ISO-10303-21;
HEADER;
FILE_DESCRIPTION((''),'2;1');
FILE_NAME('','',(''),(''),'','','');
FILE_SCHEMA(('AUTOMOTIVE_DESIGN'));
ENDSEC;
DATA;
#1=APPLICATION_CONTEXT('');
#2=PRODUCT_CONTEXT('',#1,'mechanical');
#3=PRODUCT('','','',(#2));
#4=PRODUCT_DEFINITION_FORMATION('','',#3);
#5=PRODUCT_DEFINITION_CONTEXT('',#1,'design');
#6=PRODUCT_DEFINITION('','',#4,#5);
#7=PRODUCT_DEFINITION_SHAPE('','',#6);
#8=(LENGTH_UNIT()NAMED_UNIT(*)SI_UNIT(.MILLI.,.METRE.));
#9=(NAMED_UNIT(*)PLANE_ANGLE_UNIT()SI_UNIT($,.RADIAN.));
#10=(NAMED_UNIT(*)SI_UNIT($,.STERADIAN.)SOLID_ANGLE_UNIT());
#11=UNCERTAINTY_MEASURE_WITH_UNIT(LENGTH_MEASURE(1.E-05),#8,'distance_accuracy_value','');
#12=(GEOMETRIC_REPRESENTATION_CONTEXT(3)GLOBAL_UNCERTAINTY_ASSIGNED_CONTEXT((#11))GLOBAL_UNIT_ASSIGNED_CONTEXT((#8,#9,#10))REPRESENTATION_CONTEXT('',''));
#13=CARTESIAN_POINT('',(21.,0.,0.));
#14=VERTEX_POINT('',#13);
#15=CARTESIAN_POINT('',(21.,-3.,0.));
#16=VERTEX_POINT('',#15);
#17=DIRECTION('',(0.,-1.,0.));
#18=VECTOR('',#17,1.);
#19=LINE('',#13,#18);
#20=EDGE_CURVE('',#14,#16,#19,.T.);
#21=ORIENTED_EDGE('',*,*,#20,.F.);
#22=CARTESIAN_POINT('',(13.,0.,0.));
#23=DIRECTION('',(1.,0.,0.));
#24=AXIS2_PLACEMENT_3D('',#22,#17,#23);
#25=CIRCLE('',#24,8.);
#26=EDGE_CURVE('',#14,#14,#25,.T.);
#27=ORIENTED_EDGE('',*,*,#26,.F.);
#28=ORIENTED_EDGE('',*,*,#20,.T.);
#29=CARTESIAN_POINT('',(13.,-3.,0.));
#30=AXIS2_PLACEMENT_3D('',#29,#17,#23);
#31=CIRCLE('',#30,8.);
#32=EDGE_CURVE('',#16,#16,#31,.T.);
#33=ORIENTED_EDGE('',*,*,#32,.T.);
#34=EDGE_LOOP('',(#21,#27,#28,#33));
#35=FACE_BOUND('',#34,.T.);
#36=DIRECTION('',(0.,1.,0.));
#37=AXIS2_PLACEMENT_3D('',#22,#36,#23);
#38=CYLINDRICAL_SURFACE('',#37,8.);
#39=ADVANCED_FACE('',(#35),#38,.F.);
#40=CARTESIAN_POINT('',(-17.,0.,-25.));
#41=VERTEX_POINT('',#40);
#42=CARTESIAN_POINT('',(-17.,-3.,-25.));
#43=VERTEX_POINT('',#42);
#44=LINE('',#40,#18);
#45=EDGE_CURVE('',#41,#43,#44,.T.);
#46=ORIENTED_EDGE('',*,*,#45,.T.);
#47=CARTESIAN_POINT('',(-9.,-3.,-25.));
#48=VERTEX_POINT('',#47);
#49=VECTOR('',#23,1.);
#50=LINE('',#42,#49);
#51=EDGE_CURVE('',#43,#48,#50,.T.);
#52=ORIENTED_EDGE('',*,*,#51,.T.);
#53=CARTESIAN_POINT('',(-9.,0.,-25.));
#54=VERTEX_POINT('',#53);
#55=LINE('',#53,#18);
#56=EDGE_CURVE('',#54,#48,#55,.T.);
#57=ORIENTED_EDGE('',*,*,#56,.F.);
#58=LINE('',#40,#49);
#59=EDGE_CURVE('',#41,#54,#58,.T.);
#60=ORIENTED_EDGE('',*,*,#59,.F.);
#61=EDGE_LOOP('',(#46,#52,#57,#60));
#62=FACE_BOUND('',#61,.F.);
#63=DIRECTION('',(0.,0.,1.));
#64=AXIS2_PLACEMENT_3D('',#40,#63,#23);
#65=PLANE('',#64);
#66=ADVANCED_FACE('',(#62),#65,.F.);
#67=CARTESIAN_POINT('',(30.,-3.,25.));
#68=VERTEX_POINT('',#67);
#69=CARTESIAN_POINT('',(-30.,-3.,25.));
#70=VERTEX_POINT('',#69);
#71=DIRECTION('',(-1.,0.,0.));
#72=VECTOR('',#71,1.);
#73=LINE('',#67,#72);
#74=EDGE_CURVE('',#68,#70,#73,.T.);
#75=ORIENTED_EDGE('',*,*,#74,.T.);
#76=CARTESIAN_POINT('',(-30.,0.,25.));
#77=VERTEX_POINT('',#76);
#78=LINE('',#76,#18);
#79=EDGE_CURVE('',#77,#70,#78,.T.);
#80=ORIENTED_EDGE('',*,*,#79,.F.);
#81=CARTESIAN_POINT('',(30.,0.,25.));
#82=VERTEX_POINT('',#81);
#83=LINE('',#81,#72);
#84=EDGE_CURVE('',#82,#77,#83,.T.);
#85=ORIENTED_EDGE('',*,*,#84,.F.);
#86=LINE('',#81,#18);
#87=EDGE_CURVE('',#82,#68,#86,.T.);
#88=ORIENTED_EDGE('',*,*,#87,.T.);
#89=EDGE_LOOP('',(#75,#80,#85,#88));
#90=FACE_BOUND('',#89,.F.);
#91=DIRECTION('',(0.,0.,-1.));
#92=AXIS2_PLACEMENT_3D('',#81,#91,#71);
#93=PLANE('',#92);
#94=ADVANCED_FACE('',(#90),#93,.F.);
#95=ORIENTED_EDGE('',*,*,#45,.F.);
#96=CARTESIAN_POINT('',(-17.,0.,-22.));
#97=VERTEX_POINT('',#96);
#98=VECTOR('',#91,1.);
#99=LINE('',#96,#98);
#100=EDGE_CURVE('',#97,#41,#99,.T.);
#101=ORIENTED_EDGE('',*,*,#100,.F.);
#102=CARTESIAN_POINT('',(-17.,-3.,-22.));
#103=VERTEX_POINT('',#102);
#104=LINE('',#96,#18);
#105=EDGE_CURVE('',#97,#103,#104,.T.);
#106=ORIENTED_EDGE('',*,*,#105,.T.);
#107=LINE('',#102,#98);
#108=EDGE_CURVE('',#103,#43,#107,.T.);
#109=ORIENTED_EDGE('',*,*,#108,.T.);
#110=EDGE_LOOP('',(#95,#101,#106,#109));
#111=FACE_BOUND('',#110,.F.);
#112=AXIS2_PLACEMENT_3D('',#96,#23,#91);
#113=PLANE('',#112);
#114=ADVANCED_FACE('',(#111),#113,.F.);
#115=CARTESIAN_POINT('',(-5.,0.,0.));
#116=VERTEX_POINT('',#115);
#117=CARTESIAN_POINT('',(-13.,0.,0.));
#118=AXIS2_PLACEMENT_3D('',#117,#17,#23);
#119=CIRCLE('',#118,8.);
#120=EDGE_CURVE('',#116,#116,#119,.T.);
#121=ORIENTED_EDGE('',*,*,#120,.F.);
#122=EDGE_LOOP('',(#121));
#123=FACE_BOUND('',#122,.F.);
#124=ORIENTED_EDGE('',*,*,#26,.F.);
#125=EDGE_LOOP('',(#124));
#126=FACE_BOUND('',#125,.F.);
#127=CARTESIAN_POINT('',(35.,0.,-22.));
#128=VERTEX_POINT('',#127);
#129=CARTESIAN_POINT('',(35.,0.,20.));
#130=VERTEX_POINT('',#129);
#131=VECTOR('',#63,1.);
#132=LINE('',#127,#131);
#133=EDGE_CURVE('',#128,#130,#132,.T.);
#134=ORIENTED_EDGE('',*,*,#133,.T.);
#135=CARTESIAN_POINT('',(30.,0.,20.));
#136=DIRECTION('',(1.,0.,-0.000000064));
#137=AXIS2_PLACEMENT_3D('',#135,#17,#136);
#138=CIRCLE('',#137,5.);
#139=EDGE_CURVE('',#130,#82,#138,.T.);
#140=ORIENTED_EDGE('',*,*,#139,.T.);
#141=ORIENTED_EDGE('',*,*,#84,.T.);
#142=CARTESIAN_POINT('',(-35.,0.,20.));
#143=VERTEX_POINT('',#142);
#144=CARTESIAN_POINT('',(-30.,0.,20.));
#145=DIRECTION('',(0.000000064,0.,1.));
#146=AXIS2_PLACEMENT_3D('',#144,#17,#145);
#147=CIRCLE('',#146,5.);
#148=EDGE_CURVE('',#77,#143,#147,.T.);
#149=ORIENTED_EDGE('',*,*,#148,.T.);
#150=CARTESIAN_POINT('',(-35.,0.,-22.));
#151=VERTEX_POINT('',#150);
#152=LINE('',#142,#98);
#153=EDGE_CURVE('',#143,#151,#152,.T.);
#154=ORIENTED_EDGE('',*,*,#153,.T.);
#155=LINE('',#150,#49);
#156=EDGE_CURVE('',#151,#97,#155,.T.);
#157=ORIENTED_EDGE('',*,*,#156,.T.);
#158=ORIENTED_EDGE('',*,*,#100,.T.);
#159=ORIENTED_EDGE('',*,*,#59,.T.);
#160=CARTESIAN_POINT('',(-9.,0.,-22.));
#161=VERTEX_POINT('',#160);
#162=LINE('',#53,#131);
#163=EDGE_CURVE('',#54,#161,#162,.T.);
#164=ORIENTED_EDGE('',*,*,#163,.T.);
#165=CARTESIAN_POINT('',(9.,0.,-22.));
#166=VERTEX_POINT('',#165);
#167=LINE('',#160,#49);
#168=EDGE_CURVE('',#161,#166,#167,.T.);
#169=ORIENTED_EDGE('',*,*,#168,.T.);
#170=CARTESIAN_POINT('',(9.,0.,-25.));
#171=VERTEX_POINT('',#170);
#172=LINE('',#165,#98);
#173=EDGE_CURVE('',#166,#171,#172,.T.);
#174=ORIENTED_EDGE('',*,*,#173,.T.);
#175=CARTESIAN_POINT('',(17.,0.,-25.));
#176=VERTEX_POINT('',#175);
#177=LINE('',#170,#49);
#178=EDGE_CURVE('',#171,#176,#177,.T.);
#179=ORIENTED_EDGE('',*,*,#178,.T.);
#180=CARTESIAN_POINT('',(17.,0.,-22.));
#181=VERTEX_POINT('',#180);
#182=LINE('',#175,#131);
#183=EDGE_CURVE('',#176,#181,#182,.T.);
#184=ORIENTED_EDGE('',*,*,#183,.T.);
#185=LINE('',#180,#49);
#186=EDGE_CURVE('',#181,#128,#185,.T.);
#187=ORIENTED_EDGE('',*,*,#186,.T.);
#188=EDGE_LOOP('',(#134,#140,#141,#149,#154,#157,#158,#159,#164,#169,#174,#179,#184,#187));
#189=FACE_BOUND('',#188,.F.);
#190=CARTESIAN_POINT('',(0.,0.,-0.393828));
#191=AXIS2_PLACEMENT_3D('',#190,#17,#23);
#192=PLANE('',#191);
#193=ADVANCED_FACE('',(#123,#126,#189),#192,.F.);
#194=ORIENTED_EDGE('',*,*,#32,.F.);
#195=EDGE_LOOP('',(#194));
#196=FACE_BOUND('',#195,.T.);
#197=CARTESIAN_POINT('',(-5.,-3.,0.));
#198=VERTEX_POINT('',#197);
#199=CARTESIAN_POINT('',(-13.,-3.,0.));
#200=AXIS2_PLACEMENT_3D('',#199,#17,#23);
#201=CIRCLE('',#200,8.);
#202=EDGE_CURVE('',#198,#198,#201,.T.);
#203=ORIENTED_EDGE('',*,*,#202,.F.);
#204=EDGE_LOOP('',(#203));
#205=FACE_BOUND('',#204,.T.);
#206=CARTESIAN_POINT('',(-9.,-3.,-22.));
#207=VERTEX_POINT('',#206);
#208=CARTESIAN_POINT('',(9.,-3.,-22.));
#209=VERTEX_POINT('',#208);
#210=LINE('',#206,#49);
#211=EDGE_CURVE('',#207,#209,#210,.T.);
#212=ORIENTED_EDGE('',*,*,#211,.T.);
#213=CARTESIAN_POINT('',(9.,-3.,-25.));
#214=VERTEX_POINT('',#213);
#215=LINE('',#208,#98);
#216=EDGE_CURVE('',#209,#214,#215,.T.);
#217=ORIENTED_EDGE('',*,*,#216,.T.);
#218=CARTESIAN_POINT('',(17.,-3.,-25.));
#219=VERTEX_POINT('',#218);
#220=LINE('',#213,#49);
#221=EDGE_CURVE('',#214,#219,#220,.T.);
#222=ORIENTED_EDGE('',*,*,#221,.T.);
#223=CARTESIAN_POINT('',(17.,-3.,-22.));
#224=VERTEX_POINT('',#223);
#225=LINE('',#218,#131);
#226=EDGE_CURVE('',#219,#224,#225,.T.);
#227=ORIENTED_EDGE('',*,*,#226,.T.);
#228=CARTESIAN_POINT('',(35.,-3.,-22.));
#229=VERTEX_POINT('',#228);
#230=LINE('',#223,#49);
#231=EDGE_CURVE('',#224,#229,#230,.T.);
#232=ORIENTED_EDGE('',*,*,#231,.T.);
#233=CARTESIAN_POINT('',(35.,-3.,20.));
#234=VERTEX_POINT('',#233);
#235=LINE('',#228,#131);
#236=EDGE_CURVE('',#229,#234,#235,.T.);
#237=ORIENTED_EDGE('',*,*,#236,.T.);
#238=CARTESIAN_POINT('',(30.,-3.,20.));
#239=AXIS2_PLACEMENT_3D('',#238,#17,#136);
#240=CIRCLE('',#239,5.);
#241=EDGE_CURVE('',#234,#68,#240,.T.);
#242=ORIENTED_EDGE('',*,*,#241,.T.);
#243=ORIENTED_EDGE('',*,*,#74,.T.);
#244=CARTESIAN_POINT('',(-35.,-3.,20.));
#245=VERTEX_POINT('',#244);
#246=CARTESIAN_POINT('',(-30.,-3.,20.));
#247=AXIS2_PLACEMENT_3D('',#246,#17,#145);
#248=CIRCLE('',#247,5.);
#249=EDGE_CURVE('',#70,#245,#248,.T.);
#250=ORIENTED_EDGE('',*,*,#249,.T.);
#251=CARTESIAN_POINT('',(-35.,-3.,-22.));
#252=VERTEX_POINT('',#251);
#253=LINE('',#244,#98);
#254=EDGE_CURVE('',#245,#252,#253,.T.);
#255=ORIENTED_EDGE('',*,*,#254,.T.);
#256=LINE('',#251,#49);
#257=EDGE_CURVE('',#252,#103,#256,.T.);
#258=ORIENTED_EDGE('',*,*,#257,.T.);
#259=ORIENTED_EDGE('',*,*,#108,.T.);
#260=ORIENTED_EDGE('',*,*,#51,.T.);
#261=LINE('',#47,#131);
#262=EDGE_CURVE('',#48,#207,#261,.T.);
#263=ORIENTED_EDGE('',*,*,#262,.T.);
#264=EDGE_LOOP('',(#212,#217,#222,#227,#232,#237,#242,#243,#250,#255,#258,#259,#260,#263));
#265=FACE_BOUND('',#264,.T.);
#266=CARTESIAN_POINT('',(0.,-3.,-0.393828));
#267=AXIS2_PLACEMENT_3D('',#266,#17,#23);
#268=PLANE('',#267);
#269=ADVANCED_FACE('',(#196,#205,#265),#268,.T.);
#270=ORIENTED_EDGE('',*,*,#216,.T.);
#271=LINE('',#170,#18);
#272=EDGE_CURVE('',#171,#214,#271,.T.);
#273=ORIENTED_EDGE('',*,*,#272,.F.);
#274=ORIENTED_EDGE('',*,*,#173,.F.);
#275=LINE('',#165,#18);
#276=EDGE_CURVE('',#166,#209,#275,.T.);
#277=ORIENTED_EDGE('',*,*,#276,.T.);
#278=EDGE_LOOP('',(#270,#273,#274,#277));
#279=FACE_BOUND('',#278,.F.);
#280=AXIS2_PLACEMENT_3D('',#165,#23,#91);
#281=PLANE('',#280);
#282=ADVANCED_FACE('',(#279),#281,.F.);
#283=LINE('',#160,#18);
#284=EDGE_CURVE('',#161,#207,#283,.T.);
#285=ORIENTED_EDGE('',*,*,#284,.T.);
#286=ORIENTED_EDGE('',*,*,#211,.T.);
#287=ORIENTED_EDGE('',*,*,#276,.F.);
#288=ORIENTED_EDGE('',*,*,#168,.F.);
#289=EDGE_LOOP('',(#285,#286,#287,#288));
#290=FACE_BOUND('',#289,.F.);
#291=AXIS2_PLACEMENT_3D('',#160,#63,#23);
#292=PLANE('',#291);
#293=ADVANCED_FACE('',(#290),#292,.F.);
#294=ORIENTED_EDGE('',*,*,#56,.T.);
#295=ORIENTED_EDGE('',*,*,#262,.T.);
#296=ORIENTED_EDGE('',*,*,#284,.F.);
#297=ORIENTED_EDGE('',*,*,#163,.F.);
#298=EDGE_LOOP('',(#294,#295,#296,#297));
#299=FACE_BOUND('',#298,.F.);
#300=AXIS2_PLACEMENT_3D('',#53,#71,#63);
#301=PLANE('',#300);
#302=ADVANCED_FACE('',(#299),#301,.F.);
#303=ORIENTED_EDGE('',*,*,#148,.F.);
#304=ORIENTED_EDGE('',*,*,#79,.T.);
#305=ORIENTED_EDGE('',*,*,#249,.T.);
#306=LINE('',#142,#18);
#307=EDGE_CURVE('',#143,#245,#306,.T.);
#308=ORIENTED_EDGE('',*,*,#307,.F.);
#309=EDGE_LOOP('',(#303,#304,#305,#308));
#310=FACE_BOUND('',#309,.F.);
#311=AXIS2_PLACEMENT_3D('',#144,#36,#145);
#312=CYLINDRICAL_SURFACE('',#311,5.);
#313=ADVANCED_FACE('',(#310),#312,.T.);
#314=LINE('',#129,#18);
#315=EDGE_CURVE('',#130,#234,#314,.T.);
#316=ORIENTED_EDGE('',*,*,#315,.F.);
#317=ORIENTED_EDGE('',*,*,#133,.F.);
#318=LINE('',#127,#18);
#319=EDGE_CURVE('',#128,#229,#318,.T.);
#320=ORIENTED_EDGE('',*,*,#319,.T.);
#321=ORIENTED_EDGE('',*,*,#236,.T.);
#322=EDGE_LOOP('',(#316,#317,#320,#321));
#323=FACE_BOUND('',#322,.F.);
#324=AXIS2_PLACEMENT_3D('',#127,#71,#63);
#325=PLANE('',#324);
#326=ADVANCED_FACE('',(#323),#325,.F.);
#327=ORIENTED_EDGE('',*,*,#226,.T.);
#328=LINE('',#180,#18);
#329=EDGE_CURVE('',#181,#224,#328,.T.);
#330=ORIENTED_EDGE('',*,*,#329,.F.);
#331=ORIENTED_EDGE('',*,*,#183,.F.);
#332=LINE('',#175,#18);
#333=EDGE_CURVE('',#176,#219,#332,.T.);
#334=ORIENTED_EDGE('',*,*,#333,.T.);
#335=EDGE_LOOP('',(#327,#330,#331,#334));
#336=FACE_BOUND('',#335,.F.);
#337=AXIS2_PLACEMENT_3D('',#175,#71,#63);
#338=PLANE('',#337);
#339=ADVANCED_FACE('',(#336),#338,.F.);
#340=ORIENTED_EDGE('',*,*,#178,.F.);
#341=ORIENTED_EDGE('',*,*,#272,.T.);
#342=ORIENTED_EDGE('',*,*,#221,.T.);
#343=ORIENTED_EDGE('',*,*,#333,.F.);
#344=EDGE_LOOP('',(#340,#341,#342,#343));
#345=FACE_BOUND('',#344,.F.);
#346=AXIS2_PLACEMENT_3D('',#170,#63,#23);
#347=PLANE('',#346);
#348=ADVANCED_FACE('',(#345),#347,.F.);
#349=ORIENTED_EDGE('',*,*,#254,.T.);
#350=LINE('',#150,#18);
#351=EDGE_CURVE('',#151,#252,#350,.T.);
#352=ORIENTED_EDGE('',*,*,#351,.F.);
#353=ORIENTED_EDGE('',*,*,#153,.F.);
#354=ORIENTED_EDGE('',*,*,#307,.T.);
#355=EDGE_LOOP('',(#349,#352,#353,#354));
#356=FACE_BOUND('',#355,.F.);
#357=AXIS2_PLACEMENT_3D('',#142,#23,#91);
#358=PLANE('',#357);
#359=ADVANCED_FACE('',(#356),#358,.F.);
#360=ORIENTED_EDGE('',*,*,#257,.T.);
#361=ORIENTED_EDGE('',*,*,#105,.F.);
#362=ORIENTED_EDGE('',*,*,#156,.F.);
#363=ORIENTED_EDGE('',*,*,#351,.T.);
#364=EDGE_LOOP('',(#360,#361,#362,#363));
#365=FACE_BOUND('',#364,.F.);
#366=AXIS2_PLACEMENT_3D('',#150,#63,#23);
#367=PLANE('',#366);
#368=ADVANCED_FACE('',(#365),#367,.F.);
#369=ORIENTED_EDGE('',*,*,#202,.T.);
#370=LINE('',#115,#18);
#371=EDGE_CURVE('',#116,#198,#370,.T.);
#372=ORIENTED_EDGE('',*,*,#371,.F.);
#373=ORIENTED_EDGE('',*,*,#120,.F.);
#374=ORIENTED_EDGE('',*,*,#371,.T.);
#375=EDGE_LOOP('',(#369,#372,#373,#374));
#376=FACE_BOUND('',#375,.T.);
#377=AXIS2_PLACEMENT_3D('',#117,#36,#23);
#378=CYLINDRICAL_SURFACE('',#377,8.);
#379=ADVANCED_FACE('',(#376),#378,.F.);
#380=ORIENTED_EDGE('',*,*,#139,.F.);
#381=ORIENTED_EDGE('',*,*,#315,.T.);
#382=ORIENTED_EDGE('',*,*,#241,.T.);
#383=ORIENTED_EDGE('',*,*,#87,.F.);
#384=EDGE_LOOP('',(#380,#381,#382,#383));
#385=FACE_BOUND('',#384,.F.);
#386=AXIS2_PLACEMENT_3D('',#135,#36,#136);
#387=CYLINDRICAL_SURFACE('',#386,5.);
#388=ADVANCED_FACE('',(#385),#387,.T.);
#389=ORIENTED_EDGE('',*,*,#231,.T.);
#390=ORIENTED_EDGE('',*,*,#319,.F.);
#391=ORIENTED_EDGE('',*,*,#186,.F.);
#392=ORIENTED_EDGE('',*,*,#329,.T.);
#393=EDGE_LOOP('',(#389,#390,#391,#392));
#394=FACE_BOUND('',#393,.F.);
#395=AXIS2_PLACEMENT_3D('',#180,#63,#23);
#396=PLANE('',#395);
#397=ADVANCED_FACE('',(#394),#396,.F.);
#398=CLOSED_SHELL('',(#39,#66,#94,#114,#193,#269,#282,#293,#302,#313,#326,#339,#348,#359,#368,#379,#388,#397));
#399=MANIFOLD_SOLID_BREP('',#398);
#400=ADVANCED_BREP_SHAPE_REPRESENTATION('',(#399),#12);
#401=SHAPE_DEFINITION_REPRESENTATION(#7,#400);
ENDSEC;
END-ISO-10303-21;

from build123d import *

# Parameters (mm, degrees)
F0_R     = 8
F1_DEPTH = 3


with BuildPart() as f1:
    # F0 (on Front) → F1 (new body)
    with BuildSketch(Plane.XZ):
        with BuildLine():
            Line((30, 25), (-30, 25))
            ThreePointArc((-30, 25), (-33.535534, 23.535534), (-35, 20))
            Line((-35, 20), (-35, -22))
            Line((-35, -22), (-17, -22))
            Line((-17, -22), (-17, -25))
            Line((-17, -25), (-9, -25))
            Line((-9, -25), (-9, -22))
            Line((-9, -22), (9, -22))
            Line((9, -22), (9, -25))
            Line((9, -25), (17, -25))
            Line((17, -25), (17, -22))
            Line((17, -22), (35, -22))
            Line((35, -22), (35, 20))
            ThreePointArc((35, 20), (33.535534, 23.535534), (30, 25))
        make_face()
        with Locations((-13, 0)):
            Circle(F0_R, mode=Mode.SUBTRACT)
        with Locations((13, 0)):
            Circle(F0_R, mode=Mode.SUBTRACT)
    extrude(amount=F1_DEPTH)


solid = f1.part
